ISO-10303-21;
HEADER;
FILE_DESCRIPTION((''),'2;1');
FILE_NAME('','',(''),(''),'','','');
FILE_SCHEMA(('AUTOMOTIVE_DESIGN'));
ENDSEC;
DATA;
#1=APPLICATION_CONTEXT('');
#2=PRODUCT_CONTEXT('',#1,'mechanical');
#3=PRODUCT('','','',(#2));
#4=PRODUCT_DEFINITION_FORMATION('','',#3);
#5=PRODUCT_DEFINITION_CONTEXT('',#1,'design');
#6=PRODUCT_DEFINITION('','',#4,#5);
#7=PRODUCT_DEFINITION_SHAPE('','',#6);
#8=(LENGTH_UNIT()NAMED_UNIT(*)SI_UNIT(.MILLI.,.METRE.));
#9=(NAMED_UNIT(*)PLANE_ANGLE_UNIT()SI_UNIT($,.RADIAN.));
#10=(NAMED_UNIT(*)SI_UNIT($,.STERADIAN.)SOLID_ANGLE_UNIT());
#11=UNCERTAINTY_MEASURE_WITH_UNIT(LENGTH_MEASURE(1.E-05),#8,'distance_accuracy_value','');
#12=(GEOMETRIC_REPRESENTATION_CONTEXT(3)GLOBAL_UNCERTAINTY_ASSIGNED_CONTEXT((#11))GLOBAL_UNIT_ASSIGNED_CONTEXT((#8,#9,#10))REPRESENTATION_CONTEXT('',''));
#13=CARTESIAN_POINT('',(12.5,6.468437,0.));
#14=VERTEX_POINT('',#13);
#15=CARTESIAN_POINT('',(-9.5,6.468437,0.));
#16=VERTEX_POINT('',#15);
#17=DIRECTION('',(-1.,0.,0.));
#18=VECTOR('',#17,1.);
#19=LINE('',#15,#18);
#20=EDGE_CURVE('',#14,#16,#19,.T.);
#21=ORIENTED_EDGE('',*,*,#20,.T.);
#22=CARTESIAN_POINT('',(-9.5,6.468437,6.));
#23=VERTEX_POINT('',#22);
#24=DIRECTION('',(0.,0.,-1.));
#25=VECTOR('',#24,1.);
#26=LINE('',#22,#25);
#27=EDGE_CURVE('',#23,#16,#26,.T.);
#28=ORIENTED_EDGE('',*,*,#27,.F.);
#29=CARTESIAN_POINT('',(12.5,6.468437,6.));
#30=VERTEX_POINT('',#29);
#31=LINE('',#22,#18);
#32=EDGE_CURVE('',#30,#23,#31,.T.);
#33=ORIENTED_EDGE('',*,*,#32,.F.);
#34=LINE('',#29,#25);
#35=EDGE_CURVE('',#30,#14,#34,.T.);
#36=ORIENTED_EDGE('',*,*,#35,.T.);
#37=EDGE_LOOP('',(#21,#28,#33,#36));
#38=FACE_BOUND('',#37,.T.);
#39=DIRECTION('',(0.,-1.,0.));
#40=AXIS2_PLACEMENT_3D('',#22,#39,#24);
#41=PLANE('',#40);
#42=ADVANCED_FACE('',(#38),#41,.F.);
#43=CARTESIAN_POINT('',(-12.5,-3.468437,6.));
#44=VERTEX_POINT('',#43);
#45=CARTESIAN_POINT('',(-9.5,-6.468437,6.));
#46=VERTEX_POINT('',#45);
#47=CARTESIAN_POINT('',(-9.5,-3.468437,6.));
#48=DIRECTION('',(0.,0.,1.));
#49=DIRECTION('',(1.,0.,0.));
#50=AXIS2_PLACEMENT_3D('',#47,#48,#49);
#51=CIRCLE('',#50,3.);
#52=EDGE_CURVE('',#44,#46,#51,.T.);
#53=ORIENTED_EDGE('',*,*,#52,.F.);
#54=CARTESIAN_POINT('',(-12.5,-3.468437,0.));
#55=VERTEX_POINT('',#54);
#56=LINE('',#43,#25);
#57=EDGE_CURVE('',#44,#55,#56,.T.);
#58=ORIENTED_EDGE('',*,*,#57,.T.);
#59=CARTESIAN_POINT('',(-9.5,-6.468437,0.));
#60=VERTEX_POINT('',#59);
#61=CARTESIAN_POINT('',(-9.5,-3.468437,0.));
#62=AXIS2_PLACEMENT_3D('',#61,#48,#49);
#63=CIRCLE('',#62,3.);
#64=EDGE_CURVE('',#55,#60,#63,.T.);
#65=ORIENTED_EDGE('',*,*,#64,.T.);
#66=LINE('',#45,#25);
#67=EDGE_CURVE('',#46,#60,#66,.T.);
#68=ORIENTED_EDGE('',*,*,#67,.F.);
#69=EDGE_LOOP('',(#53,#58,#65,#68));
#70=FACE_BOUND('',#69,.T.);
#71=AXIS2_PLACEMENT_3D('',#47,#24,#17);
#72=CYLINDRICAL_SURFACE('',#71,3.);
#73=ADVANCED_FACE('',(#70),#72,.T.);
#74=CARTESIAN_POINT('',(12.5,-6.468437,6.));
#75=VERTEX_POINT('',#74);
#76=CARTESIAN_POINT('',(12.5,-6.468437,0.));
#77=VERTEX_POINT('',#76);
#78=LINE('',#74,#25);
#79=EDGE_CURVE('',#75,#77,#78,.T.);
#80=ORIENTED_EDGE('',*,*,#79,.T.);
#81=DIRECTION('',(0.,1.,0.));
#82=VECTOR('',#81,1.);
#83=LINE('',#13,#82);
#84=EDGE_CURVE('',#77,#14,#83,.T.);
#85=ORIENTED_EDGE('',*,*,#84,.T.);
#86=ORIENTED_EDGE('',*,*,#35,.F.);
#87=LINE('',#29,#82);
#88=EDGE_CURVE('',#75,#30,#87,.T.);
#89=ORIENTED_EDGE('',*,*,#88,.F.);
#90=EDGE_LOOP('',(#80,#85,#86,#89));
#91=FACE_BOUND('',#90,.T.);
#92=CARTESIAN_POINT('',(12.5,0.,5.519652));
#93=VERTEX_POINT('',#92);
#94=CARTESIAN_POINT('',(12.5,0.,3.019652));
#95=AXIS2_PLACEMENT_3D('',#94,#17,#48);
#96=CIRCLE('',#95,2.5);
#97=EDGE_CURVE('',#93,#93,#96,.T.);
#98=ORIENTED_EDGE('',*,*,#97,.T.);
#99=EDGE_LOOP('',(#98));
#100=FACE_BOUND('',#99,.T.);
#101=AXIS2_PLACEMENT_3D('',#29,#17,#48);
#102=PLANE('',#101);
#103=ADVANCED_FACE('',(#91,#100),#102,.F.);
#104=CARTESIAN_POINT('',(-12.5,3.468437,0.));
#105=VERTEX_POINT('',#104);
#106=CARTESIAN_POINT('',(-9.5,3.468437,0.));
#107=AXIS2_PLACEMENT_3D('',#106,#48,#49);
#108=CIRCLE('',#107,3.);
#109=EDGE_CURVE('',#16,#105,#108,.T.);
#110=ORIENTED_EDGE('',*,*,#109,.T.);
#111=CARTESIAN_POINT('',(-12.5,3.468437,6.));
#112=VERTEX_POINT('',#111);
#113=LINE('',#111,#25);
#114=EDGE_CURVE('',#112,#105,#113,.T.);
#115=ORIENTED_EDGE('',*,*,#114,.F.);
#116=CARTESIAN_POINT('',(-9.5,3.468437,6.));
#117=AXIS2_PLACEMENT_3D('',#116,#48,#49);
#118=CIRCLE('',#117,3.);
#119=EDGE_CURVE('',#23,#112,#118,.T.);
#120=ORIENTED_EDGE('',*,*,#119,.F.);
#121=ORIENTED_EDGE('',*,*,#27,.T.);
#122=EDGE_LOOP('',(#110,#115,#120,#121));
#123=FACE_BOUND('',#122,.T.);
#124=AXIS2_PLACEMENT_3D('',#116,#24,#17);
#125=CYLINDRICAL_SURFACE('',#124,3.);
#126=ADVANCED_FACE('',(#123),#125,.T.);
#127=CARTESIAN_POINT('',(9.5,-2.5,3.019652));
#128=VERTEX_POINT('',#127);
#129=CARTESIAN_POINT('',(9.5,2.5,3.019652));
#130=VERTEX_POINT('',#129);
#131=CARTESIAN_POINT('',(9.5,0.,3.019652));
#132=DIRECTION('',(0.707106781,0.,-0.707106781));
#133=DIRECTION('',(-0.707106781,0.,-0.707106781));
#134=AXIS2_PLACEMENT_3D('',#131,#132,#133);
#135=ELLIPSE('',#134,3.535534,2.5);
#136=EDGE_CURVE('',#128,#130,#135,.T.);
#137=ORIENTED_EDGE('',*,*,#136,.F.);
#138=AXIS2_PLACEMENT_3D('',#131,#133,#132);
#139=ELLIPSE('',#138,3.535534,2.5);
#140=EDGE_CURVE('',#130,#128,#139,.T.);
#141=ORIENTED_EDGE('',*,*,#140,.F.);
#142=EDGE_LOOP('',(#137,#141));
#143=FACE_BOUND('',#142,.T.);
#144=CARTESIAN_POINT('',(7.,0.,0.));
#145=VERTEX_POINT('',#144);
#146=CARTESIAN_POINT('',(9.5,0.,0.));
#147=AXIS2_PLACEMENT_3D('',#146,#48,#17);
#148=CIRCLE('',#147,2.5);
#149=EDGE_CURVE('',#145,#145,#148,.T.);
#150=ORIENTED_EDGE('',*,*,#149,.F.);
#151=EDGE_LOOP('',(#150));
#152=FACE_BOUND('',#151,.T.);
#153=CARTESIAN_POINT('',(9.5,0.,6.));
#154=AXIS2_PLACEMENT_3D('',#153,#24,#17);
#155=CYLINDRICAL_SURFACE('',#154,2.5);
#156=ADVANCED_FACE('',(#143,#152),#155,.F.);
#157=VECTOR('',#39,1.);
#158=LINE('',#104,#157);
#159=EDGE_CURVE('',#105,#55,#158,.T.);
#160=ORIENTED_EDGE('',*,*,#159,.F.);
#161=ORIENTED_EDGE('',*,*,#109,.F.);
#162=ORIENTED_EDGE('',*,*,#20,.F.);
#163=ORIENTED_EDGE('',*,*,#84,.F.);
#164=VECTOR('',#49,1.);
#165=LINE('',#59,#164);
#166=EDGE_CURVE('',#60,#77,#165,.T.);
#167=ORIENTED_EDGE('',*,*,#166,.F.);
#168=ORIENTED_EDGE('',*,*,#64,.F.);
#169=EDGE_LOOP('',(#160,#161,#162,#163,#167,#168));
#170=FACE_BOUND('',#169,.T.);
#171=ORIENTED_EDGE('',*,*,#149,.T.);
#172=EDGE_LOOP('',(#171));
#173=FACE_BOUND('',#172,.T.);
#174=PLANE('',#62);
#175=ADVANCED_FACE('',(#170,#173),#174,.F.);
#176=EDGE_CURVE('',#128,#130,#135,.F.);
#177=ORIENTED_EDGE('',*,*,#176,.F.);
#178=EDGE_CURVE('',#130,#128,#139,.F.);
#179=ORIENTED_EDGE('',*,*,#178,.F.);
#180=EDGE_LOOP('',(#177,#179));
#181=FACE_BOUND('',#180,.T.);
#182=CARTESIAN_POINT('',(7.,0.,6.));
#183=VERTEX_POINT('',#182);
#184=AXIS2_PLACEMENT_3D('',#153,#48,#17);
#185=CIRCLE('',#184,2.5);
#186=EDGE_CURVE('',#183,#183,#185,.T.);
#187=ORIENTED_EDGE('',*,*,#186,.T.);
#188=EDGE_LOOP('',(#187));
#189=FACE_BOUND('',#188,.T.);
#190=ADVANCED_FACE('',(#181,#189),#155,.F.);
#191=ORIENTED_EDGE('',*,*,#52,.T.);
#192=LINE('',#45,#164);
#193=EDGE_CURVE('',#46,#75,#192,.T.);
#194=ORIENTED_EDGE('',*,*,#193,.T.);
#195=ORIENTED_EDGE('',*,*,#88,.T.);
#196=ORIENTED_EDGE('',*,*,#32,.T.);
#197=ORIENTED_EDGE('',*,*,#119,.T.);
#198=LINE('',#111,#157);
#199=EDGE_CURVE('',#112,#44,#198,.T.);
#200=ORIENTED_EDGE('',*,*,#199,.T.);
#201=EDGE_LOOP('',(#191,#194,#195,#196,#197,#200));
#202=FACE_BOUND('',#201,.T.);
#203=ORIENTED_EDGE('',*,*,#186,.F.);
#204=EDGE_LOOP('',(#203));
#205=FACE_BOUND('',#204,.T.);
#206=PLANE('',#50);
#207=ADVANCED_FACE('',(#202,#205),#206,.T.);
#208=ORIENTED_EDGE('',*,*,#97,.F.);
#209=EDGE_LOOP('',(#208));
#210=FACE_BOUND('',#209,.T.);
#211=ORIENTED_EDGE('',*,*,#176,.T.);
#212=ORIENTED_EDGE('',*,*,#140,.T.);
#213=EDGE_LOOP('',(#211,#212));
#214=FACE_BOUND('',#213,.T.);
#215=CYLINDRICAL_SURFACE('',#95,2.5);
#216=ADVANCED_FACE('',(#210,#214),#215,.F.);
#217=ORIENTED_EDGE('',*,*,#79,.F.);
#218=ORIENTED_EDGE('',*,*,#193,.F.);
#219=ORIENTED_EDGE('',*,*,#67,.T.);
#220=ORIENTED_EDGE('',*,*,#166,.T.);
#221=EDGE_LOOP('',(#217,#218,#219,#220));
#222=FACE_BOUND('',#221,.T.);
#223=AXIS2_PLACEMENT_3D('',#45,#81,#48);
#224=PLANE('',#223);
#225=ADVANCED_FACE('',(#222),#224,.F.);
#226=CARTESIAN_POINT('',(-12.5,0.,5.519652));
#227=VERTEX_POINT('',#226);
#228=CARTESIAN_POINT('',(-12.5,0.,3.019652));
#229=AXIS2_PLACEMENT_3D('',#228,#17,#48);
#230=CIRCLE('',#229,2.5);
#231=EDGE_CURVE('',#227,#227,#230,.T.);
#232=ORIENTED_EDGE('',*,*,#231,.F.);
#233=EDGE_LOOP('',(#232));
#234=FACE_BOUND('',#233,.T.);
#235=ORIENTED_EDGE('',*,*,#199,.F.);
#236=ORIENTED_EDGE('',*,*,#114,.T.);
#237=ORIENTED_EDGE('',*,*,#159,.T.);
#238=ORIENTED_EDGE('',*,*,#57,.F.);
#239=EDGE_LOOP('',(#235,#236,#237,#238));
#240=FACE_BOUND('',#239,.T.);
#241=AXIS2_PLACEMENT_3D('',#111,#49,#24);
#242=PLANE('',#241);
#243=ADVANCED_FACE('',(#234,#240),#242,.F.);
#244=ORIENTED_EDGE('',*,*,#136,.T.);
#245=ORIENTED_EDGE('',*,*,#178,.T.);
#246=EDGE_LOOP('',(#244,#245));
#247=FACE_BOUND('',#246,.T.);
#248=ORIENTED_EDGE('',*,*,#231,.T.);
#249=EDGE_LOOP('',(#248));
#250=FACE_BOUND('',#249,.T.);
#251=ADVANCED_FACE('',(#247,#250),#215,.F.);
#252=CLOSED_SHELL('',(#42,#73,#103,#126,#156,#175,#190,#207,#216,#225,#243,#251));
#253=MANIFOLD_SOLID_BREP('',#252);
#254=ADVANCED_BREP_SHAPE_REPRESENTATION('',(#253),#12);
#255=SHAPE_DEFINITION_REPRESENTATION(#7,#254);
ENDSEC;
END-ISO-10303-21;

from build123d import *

# Parameters (mm, degrees)
SKETCH4_R           = 2.5
BOSS_EXTRUDE2_DEPTH = 6
SKETCH5_R           = 2.5
CUT_EXTRUDE1_DEPTH  = 27.511142593


with BuildPart() as part:
    # Sketch4 → Boss-Extrude2 (new body)
    with BuildSketch(Plane.XY):
        with BuildLine():
            Line((-9.5, 6.468437336), (12.5, 6.468437336))
            Line((12.5, 6.468437336), (12.5, -6.468437336))
            Line((12.5, -6.468437336), (-9.5, -6.468437336))
            ThreePointArc((-9.5, -6.468437336), (-11.621320344, -5.58975768), (-12.5, -3.468437336))
            Line((-12.5, -3.468437336), (-12.5, 3.468437336))
            ThreePointArc((-12.5, 3.468437336), (-11.621320344, 5.58975768), (-9.5, 6.468437336))
        make_face()
        with Locations(Location((9.5, 0, 0), (0, 0, 180))):
            Circle(SKETCH4_R, mode=Mode.SUBTRACT)
    extrude(amount=BOSS_EXTRUDE2_DEPTH)

    # Sketch5 → Cut-Extrude1 (cut, through all)
    with BuildSketch(Plane.ZY.offset(12.5)):
        with Locations((3.019651732, 0)):
            Circle(SKETCH5_R)
    extrude(amount=-CUT_EXTRUDE1_DEPTH, mode=Mode.SUBTRACT)


solid = part.part
